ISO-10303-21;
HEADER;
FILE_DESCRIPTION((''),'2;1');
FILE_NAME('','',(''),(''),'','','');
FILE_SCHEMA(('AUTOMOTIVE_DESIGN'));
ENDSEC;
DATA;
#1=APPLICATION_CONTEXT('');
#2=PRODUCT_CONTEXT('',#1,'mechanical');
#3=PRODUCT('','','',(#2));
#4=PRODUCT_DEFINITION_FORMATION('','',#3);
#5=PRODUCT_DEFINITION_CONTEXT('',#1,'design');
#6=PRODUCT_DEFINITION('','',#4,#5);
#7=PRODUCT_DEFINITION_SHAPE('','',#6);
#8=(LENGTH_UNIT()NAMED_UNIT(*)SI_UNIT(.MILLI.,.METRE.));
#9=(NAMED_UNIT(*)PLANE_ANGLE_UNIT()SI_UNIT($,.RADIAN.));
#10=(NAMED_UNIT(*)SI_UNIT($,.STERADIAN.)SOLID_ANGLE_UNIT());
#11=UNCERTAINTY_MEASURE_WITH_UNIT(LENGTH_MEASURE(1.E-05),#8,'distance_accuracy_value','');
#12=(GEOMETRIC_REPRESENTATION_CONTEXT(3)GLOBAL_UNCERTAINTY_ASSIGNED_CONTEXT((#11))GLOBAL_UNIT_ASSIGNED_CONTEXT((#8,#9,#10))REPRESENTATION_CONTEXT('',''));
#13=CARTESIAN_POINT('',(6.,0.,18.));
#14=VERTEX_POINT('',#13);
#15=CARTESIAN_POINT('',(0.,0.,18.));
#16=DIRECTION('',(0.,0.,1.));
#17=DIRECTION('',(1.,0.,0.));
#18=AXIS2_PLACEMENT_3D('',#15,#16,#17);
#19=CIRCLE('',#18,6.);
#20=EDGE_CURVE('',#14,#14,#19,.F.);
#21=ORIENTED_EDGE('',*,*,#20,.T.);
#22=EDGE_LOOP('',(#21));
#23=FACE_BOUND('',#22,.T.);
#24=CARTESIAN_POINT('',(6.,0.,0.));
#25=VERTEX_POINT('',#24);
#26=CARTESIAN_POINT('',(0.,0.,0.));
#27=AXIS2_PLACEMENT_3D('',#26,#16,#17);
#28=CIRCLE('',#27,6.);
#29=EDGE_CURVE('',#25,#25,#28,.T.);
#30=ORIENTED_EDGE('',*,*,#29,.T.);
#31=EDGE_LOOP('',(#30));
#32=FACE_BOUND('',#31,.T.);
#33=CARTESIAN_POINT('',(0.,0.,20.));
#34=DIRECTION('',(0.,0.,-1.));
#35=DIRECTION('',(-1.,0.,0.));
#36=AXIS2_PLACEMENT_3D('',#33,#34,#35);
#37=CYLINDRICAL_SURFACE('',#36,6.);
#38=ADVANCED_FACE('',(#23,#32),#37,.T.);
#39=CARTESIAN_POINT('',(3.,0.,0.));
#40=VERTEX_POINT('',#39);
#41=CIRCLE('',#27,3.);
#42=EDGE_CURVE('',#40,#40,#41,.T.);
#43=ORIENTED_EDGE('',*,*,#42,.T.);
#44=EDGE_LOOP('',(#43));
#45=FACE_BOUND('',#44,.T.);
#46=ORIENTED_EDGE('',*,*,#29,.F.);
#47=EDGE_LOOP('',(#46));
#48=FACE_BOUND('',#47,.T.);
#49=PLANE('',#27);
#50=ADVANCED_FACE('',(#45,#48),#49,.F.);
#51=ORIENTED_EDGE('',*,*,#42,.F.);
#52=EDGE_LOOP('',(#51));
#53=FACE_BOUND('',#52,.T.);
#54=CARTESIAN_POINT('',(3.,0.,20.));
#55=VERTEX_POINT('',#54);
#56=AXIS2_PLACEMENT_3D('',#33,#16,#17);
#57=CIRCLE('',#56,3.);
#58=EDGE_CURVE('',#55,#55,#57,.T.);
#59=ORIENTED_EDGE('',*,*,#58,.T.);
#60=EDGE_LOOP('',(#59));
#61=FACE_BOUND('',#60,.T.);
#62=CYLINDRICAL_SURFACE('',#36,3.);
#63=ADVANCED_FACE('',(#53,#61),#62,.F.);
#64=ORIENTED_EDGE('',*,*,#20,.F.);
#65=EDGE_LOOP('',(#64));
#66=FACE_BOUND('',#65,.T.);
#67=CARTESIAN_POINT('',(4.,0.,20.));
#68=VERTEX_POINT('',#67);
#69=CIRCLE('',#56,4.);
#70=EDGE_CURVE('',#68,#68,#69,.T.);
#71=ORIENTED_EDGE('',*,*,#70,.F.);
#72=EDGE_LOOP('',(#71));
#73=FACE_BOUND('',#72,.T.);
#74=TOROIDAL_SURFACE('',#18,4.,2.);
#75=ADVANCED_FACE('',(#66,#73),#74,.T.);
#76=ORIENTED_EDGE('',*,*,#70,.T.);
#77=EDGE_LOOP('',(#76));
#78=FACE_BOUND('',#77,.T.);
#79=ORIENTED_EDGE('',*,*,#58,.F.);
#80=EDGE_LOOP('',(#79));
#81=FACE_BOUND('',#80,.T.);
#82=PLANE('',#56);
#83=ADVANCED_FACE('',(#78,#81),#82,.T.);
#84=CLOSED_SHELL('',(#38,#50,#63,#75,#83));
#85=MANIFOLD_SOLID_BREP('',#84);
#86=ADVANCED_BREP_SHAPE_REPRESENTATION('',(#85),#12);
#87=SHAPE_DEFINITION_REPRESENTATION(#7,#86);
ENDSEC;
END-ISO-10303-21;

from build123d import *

# Parameters (mm, degrees)
ESQUISSE1_R        = 6
ESQUISSE1_R_2      = 3
BOSS_EXTRU_1_DEPTH = 20
CONG_1_R           = 2


with BuildPart() as part:
    # Esquisse1 → Boss.-Extru.1 (new body)
    with BuildSketch(Plane.XY):
        Circle(ESQUISSE1_R)
        Circle(ESQUISSE1_R_2, mode=Mode.SUBTRACT)
    extrude(amount=BOSS_EXTRU_1_DEPTH)

    # Congé1
    cong_1_edges = [part.edges().sort_by_distance(p)[0] for p in [
        (-6, 0, 20),
    ]]
    fillet(cong_1_edges, radius=CONG_1_R)


solid = part.part
